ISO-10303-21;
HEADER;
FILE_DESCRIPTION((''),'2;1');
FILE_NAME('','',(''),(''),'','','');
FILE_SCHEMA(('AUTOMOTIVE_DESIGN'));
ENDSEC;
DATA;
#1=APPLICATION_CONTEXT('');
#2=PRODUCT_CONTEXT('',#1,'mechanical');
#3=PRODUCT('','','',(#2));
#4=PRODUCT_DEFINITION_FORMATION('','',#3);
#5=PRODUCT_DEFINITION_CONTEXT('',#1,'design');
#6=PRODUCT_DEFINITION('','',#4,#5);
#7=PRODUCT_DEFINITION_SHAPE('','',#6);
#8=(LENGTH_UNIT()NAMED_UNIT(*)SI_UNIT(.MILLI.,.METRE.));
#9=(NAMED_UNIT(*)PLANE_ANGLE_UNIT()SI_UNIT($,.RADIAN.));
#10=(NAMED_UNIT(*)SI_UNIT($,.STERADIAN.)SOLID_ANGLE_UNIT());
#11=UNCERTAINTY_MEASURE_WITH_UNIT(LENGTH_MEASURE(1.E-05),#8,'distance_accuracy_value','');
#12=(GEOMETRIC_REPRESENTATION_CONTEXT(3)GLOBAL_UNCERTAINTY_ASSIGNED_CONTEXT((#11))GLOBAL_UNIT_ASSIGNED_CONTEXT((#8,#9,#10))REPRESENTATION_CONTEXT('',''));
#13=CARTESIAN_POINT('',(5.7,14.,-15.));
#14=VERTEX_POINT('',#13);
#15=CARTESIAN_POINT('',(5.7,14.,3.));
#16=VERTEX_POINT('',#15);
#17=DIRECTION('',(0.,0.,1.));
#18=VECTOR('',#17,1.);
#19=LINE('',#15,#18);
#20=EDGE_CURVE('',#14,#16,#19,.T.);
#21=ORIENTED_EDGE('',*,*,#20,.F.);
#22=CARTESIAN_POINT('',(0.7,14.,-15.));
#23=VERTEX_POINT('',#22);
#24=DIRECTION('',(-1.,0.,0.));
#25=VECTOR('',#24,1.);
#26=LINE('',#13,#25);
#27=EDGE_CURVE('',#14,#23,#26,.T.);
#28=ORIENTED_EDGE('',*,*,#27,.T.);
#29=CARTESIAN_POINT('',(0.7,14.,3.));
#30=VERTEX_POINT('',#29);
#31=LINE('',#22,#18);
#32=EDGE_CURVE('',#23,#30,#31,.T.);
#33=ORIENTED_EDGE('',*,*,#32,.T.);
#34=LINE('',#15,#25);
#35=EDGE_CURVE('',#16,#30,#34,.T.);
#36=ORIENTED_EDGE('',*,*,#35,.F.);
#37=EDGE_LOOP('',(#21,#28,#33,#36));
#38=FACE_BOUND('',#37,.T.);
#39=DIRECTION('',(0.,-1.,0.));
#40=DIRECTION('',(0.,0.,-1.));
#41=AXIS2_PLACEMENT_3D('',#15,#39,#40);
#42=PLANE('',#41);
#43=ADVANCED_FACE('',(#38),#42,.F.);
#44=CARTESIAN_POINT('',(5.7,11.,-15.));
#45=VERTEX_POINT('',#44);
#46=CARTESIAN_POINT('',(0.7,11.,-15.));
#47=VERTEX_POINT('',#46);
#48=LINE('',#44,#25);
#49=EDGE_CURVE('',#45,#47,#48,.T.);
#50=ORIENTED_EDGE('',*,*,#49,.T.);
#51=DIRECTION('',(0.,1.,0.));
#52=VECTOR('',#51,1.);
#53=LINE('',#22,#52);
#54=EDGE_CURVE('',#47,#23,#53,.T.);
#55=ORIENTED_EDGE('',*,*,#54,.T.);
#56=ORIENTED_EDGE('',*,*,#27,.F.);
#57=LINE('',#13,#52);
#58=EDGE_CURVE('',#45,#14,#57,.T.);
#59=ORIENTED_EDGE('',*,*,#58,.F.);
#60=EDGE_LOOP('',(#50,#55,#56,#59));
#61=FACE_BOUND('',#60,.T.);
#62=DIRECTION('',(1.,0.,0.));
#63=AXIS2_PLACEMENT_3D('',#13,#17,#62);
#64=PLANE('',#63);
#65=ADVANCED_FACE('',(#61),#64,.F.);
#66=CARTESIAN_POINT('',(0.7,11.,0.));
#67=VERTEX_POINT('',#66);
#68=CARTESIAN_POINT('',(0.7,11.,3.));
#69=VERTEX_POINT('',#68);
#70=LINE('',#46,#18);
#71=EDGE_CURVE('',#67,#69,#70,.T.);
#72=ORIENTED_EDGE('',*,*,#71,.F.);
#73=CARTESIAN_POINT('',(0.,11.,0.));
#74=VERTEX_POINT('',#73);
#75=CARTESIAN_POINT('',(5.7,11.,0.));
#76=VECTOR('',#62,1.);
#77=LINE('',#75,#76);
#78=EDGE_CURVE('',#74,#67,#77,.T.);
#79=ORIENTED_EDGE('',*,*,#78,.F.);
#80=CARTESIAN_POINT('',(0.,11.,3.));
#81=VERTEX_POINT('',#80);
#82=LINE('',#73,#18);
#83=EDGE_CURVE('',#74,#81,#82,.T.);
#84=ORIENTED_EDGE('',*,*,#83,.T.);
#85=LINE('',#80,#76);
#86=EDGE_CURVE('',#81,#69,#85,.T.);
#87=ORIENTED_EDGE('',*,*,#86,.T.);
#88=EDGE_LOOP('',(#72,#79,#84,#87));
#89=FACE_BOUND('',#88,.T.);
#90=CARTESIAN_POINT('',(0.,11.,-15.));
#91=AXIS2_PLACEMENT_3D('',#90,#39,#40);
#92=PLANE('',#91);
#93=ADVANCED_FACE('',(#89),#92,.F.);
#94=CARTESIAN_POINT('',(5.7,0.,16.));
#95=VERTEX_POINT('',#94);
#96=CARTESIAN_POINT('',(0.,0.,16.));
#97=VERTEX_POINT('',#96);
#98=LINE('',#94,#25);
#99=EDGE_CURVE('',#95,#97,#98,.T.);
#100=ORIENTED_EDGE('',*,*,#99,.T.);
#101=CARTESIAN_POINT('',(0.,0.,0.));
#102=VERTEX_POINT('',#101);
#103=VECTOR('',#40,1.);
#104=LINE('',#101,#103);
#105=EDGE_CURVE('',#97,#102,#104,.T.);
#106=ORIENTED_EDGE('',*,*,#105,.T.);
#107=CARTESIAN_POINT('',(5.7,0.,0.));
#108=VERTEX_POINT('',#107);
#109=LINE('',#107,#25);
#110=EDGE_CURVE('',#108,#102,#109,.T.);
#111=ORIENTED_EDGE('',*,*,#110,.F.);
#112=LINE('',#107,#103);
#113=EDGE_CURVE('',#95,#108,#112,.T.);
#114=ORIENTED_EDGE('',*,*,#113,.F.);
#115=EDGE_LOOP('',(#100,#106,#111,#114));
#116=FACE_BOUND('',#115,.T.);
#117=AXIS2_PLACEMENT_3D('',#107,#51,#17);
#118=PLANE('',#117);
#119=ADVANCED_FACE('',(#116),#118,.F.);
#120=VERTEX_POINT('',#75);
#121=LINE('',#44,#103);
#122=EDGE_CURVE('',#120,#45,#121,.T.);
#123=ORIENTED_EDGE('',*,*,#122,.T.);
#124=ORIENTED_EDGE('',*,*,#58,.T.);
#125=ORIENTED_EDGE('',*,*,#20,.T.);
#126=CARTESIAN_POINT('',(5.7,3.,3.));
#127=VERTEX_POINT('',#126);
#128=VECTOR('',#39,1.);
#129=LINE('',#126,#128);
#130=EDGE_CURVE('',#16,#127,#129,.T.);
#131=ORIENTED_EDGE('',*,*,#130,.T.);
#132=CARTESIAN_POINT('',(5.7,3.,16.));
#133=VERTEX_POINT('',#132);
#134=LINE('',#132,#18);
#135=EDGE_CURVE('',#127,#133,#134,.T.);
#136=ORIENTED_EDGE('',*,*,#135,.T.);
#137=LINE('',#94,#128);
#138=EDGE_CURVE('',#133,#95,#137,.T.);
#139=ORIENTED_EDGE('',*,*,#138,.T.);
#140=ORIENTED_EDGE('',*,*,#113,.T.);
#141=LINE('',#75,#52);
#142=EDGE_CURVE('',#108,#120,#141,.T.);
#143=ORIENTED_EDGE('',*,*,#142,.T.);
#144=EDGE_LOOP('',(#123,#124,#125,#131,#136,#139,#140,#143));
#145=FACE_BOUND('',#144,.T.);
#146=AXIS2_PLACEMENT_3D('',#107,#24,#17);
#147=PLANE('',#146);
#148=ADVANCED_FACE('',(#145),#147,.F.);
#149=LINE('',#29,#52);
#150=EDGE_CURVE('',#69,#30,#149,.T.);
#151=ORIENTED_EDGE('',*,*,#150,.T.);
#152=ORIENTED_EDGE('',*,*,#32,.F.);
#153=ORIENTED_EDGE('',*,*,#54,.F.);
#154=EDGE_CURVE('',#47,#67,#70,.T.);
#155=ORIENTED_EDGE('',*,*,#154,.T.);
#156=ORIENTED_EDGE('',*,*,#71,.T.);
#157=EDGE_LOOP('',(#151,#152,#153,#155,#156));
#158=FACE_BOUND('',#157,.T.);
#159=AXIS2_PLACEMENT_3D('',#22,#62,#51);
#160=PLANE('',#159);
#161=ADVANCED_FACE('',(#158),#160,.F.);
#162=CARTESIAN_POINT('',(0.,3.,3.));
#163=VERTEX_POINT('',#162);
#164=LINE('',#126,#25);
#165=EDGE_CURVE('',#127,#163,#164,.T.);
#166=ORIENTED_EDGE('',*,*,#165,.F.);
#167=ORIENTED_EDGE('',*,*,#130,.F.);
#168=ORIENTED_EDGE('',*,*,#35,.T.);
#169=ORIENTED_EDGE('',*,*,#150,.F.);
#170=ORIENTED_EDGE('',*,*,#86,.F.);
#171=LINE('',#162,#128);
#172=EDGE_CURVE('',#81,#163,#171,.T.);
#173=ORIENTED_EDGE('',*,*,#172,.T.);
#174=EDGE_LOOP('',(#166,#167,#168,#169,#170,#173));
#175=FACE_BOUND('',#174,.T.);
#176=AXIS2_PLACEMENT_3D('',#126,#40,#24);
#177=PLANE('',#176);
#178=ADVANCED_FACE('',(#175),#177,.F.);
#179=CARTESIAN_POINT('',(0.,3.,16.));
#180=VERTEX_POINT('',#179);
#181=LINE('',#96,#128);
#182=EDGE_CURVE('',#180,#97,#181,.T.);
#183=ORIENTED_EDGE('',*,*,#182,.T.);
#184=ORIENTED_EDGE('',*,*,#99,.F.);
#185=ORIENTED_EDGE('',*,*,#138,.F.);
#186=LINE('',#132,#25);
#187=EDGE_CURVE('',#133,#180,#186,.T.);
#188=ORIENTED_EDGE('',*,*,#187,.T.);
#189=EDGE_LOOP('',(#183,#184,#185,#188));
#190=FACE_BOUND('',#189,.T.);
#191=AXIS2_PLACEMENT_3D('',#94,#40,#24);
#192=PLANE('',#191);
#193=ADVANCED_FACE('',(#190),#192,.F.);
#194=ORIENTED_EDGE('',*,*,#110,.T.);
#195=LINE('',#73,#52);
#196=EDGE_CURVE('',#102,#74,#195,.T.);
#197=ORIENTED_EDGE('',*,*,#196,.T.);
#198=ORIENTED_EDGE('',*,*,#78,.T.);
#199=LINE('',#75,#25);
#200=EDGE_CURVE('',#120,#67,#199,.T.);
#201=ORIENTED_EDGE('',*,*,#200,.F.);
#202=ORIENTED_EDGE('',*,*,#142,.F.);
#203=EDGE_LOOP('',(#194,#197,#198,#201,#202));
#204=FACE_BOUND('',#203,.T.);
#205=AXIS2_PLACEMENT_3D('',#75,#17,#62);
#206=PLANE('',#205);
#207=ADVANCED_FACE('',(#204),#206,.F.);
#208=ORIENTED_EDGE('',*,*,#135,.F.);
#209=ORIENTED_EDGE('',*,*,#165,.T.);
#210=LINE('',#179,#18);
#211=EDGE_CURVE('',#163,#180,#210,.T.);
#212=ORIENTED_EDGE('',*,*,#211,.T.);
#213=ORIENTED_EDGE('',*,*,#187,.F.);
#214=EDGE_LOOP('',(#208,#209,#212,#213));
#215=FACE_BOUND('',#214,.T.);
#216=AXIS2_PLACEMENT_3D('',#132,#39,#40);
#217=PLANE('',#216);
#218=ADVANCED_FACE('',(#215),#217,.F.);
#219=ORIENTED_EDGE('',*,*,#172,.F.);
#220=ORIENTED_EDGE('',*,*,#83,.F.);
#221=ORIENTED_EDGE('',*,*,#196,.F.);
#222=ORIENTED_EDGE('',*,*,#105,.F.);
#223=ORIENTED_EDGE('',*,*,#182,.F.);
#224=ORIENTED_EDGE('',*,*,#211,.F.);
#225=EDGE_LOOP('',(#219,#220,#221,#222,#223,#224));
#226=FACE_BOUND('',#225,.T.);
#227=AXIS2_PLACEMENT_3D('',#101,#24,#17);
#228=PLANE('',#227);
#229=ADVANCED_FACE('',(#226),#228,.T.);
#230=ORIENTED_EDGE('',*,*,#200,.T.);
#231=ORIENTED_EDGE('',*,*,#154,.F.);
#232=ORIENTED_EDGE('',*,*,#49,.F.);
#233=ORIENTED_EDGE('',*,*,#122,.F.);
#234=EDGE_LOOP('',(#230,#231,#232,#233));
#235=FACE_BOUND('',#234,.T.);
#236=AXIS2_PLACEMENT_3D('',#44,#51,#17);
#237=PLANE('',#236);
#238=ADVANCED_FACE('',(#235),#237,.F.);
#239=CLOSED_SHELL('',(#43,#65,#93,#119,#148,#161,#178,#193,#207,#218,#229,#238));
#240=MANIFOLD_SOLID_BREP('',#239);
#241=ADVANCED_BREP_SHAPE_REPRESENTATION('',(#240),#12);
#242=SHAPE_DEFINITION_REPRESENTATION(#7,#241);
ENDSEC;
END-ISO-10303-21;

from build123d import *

# Parameters (mm, degrees)
BOSS_EXTRUDE1_DEPTH = 5.7
SKETCH2_W           = 0.7
SKETCH2_H           = 3
CUT_EXTRUDE1_DEPTH  = 19


with BuildPart() as part:
    # Sketch1 → Boss-Extrude1 (new body)
    with BuildSketch(Plane(origin=(0, 0, 0), x_dir=(0, 0, -1), z_dir=(1, 0, 0))):
        Polygon((-16, 3), (-3, 3), (-3, 14), (15, 14), (15, 11), (0, 11), (0, 0), (-16, 0), align=None)
    extrude(amount=BOSS_EXTRUDE1_DEPTH)

    # Sketch2 → Cut-Extrude1 (cut, through all)
    with BuildSketch(Plane.XY.offset(3)):
        with Locations((0.35, 12.5)):
            Rectangle(SKETCH2_W, SKETCH2_H)
    extrude(amount=-CUT_EXTRUDE1_DEPTH, mode=Mode.SUBTRACT)


solid = part.part
